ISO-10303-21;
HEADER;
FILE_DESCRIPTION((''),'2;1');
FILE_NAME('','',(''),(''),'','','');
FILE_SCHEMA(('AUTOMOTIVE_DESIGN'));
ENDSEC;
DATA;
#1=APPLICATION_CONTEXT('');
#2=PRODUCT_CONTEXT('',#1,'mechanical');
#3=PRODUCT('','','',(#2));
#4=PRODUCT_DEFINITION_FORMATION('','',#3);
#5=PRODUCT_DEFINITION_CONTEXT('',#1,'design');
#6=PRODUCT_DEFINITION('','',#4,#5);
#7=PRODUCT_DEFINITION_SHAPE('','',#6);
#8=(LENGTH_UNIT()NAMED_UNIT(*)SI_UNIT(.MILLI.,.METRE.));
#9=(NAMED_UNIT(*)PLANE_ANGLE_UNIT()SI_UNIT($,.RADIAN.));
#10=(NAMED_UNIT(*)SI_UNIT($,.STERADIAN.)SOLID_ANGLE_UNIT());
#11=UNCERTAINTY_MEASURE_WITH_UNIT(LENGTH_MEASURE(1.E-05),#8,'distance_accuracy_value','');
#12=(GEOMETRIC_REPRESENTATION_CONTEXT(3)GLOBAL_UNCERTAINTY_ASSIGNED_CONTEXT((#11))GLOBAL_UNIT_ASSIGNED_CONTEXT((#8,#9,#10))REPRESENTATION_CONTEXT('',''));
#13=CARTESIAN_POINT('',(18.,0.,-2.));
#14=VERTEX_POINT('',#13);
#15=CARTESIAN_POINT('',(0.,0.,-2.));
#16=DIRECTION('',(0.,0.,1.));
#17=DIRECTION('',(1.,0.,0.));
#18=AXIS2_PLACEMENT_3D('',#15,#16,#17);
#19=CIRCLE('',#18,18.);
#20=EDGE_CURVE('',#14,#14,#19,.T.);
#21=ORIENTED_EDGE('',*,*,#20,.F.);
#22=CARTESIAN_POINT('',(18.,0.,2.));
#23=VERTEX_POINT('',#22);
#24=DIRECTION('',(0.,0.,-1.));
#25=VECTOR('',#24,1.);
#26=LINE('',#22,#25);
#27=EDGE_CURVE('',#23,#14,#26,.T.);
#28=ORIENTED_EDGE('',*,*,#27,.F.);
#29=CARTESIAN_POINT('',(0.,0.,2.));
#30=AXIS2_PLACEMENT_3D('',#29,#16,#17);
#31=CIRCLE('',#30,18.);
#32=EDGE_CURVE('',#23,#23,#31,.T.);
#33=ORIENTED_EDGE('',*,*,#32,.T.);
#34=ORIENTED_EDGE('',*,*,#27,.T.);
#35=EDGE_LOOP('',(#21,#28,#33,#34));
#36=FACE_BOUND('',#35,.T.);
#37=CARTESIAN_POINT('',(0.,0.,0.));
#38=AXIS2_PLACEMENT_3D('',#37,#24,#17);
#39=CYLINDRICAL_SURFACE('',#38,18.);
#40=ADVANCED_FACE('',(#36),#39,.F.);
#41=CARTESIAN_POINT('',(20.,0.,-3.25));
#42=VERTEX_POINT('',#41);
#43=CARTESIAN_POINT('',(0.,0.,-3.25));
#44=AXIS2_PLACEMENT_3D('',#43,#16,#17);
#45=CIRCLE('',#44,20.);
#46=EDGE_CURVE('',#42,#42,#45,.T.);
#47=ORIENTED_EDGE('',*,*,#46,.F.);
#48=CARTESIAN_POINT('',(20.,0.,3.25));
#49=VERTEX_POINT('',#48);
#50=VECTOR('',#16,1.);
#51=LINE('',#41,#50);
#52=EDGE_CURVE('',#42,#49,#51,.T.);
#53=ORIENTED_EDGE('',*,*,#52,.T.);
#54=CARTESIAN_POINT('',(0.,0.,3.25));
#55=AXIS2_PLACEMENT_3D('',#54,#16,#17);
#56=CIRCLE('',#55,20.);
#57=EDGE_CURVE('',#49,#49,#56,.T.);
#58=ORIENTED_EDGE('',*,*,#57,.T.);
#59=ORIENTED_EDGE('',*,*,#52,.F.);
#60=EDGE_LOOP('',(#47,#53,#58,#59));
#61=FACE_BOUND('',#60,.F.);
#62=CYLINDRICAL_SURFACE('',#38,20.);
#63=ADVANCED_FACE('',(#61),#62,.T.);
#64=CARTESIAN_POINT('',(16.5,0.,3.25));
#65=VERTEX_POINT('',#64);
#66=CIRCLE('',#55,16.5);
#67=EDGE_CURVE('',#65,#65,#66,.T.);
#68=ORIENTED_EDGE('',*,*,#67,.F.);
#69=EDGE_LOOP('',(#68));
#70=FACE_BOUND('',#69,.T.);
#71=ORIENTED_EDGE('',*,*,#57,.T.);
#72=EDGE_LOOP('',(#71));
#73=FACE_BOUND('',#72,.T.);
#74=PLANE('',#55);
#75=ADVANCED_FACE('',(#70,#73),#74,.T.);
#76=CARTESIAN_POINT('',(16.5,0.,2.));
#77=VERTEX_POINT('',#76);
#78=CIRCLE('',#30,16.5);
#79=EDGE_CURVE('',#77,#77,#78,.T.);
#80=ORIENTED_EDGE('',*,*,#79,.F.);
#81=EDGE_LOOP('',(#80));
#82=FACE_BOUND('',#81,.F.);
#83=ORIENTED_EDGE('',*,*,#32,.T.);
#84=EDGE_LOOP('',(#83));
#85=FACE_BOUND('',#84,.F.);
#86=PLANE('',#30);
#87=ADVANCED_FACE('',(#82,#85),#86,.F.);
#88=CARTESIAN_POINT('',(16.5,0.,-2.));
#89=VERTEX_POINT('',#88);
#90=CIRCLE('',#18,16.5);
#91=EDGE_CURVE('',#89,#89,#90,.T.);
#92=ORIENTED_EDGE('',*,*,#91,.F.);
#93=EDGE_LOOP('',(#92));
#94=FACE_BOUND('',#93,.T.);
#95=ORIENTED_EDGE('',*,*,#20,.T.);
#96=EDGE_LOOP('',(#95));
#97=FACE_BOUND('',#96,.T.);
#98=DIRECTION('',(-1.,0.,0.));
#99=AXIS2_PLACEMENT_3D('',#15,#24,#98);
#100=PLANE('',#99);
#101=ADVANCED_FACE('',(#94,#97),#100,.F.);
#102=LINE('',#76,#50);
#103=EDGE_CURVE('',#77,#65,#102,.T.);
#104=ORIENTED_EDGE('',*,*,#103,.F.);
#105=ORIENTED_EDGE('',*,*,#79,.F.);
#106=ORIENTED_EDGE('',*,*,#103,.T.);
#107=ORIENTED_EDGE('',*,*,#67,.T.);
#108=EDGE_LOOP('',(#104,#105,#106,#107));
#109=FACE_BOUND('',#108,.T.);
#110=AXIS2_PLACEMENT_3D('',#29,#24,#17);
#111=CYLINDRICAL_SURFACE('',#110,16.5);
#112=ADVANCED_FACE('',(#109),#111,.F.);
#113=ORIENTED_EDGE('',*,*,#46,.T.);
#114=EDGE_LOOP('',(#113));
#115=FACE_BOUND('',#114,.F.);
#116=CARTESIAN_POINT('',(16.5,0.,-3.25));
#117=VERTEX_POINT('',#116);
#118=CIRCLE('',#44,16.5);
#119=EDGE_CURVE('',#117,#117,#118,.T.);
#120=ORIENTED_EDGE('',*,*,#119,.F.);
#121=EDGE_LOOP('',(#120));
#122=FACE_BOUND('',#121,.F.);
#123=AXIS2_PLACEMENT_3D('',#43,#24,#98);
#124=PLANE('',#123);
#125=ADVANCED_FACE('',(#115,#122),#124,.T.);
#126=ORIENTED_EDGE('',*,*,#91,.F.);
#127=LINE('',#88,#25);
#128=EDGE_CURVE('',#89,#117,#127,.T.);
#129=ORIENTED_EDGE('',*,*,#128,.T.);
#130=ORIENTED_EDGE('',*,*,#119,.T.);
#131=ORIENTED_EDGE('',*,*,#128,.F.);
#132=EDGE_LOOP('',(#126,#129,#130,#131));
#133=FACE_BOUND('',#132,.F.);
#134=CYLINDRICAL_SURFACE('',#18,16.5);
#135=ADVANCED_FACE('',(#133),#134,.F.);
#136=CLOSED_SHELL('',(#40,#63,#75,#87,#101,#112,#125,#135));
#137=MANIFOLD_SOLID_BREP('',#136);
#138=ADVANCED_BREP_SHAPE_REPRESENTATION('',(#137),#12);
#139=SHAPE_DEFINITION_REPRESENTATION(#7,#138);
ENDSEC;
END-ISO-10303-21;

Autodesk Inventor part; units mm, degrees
ref_plane "YZ Plane" through (0, 0, 0) normal (1, 0, 0) x (0, 1, 0)
ref_plane "XZ Plane" through (0, 0, 0) normal (0, 1, 0) x (-1, 0, 0)
ref_plane "XY Plane" through (0, 0, 0) normal (0, 0, 1) x (1, 0, 0)
sketch "Эскиз1" plane through (0, 0, 0) normal (0, 0, 1) x (1, 0, 0)
  circle A0 centre (0, 0) radius 18
  circle A1 centre (0, 0) radius 20
  dimension "d0" = 36
  dimension "d1" = 40
extrude "Выдавливание1" add sketch "Эскиз1" along normal blind 2
sketch "Эскиз2" plane through (0, 0, 2) normal (0, 0, 1) x (1, 0, 0)
  circle A0 centre (0, 0) radius 20 projected
  circle A1 centre (0, 0) radius 16.5
  dimension "d4" = 33
extrude "Выдавливание2" add sketch "Эскиз2" along normal blind 1.25
mirror "Зеркальное отражение1" about plane through (0, 0, 0) normal (0, 0, -1)
properties part number "Шина колеса D40"
